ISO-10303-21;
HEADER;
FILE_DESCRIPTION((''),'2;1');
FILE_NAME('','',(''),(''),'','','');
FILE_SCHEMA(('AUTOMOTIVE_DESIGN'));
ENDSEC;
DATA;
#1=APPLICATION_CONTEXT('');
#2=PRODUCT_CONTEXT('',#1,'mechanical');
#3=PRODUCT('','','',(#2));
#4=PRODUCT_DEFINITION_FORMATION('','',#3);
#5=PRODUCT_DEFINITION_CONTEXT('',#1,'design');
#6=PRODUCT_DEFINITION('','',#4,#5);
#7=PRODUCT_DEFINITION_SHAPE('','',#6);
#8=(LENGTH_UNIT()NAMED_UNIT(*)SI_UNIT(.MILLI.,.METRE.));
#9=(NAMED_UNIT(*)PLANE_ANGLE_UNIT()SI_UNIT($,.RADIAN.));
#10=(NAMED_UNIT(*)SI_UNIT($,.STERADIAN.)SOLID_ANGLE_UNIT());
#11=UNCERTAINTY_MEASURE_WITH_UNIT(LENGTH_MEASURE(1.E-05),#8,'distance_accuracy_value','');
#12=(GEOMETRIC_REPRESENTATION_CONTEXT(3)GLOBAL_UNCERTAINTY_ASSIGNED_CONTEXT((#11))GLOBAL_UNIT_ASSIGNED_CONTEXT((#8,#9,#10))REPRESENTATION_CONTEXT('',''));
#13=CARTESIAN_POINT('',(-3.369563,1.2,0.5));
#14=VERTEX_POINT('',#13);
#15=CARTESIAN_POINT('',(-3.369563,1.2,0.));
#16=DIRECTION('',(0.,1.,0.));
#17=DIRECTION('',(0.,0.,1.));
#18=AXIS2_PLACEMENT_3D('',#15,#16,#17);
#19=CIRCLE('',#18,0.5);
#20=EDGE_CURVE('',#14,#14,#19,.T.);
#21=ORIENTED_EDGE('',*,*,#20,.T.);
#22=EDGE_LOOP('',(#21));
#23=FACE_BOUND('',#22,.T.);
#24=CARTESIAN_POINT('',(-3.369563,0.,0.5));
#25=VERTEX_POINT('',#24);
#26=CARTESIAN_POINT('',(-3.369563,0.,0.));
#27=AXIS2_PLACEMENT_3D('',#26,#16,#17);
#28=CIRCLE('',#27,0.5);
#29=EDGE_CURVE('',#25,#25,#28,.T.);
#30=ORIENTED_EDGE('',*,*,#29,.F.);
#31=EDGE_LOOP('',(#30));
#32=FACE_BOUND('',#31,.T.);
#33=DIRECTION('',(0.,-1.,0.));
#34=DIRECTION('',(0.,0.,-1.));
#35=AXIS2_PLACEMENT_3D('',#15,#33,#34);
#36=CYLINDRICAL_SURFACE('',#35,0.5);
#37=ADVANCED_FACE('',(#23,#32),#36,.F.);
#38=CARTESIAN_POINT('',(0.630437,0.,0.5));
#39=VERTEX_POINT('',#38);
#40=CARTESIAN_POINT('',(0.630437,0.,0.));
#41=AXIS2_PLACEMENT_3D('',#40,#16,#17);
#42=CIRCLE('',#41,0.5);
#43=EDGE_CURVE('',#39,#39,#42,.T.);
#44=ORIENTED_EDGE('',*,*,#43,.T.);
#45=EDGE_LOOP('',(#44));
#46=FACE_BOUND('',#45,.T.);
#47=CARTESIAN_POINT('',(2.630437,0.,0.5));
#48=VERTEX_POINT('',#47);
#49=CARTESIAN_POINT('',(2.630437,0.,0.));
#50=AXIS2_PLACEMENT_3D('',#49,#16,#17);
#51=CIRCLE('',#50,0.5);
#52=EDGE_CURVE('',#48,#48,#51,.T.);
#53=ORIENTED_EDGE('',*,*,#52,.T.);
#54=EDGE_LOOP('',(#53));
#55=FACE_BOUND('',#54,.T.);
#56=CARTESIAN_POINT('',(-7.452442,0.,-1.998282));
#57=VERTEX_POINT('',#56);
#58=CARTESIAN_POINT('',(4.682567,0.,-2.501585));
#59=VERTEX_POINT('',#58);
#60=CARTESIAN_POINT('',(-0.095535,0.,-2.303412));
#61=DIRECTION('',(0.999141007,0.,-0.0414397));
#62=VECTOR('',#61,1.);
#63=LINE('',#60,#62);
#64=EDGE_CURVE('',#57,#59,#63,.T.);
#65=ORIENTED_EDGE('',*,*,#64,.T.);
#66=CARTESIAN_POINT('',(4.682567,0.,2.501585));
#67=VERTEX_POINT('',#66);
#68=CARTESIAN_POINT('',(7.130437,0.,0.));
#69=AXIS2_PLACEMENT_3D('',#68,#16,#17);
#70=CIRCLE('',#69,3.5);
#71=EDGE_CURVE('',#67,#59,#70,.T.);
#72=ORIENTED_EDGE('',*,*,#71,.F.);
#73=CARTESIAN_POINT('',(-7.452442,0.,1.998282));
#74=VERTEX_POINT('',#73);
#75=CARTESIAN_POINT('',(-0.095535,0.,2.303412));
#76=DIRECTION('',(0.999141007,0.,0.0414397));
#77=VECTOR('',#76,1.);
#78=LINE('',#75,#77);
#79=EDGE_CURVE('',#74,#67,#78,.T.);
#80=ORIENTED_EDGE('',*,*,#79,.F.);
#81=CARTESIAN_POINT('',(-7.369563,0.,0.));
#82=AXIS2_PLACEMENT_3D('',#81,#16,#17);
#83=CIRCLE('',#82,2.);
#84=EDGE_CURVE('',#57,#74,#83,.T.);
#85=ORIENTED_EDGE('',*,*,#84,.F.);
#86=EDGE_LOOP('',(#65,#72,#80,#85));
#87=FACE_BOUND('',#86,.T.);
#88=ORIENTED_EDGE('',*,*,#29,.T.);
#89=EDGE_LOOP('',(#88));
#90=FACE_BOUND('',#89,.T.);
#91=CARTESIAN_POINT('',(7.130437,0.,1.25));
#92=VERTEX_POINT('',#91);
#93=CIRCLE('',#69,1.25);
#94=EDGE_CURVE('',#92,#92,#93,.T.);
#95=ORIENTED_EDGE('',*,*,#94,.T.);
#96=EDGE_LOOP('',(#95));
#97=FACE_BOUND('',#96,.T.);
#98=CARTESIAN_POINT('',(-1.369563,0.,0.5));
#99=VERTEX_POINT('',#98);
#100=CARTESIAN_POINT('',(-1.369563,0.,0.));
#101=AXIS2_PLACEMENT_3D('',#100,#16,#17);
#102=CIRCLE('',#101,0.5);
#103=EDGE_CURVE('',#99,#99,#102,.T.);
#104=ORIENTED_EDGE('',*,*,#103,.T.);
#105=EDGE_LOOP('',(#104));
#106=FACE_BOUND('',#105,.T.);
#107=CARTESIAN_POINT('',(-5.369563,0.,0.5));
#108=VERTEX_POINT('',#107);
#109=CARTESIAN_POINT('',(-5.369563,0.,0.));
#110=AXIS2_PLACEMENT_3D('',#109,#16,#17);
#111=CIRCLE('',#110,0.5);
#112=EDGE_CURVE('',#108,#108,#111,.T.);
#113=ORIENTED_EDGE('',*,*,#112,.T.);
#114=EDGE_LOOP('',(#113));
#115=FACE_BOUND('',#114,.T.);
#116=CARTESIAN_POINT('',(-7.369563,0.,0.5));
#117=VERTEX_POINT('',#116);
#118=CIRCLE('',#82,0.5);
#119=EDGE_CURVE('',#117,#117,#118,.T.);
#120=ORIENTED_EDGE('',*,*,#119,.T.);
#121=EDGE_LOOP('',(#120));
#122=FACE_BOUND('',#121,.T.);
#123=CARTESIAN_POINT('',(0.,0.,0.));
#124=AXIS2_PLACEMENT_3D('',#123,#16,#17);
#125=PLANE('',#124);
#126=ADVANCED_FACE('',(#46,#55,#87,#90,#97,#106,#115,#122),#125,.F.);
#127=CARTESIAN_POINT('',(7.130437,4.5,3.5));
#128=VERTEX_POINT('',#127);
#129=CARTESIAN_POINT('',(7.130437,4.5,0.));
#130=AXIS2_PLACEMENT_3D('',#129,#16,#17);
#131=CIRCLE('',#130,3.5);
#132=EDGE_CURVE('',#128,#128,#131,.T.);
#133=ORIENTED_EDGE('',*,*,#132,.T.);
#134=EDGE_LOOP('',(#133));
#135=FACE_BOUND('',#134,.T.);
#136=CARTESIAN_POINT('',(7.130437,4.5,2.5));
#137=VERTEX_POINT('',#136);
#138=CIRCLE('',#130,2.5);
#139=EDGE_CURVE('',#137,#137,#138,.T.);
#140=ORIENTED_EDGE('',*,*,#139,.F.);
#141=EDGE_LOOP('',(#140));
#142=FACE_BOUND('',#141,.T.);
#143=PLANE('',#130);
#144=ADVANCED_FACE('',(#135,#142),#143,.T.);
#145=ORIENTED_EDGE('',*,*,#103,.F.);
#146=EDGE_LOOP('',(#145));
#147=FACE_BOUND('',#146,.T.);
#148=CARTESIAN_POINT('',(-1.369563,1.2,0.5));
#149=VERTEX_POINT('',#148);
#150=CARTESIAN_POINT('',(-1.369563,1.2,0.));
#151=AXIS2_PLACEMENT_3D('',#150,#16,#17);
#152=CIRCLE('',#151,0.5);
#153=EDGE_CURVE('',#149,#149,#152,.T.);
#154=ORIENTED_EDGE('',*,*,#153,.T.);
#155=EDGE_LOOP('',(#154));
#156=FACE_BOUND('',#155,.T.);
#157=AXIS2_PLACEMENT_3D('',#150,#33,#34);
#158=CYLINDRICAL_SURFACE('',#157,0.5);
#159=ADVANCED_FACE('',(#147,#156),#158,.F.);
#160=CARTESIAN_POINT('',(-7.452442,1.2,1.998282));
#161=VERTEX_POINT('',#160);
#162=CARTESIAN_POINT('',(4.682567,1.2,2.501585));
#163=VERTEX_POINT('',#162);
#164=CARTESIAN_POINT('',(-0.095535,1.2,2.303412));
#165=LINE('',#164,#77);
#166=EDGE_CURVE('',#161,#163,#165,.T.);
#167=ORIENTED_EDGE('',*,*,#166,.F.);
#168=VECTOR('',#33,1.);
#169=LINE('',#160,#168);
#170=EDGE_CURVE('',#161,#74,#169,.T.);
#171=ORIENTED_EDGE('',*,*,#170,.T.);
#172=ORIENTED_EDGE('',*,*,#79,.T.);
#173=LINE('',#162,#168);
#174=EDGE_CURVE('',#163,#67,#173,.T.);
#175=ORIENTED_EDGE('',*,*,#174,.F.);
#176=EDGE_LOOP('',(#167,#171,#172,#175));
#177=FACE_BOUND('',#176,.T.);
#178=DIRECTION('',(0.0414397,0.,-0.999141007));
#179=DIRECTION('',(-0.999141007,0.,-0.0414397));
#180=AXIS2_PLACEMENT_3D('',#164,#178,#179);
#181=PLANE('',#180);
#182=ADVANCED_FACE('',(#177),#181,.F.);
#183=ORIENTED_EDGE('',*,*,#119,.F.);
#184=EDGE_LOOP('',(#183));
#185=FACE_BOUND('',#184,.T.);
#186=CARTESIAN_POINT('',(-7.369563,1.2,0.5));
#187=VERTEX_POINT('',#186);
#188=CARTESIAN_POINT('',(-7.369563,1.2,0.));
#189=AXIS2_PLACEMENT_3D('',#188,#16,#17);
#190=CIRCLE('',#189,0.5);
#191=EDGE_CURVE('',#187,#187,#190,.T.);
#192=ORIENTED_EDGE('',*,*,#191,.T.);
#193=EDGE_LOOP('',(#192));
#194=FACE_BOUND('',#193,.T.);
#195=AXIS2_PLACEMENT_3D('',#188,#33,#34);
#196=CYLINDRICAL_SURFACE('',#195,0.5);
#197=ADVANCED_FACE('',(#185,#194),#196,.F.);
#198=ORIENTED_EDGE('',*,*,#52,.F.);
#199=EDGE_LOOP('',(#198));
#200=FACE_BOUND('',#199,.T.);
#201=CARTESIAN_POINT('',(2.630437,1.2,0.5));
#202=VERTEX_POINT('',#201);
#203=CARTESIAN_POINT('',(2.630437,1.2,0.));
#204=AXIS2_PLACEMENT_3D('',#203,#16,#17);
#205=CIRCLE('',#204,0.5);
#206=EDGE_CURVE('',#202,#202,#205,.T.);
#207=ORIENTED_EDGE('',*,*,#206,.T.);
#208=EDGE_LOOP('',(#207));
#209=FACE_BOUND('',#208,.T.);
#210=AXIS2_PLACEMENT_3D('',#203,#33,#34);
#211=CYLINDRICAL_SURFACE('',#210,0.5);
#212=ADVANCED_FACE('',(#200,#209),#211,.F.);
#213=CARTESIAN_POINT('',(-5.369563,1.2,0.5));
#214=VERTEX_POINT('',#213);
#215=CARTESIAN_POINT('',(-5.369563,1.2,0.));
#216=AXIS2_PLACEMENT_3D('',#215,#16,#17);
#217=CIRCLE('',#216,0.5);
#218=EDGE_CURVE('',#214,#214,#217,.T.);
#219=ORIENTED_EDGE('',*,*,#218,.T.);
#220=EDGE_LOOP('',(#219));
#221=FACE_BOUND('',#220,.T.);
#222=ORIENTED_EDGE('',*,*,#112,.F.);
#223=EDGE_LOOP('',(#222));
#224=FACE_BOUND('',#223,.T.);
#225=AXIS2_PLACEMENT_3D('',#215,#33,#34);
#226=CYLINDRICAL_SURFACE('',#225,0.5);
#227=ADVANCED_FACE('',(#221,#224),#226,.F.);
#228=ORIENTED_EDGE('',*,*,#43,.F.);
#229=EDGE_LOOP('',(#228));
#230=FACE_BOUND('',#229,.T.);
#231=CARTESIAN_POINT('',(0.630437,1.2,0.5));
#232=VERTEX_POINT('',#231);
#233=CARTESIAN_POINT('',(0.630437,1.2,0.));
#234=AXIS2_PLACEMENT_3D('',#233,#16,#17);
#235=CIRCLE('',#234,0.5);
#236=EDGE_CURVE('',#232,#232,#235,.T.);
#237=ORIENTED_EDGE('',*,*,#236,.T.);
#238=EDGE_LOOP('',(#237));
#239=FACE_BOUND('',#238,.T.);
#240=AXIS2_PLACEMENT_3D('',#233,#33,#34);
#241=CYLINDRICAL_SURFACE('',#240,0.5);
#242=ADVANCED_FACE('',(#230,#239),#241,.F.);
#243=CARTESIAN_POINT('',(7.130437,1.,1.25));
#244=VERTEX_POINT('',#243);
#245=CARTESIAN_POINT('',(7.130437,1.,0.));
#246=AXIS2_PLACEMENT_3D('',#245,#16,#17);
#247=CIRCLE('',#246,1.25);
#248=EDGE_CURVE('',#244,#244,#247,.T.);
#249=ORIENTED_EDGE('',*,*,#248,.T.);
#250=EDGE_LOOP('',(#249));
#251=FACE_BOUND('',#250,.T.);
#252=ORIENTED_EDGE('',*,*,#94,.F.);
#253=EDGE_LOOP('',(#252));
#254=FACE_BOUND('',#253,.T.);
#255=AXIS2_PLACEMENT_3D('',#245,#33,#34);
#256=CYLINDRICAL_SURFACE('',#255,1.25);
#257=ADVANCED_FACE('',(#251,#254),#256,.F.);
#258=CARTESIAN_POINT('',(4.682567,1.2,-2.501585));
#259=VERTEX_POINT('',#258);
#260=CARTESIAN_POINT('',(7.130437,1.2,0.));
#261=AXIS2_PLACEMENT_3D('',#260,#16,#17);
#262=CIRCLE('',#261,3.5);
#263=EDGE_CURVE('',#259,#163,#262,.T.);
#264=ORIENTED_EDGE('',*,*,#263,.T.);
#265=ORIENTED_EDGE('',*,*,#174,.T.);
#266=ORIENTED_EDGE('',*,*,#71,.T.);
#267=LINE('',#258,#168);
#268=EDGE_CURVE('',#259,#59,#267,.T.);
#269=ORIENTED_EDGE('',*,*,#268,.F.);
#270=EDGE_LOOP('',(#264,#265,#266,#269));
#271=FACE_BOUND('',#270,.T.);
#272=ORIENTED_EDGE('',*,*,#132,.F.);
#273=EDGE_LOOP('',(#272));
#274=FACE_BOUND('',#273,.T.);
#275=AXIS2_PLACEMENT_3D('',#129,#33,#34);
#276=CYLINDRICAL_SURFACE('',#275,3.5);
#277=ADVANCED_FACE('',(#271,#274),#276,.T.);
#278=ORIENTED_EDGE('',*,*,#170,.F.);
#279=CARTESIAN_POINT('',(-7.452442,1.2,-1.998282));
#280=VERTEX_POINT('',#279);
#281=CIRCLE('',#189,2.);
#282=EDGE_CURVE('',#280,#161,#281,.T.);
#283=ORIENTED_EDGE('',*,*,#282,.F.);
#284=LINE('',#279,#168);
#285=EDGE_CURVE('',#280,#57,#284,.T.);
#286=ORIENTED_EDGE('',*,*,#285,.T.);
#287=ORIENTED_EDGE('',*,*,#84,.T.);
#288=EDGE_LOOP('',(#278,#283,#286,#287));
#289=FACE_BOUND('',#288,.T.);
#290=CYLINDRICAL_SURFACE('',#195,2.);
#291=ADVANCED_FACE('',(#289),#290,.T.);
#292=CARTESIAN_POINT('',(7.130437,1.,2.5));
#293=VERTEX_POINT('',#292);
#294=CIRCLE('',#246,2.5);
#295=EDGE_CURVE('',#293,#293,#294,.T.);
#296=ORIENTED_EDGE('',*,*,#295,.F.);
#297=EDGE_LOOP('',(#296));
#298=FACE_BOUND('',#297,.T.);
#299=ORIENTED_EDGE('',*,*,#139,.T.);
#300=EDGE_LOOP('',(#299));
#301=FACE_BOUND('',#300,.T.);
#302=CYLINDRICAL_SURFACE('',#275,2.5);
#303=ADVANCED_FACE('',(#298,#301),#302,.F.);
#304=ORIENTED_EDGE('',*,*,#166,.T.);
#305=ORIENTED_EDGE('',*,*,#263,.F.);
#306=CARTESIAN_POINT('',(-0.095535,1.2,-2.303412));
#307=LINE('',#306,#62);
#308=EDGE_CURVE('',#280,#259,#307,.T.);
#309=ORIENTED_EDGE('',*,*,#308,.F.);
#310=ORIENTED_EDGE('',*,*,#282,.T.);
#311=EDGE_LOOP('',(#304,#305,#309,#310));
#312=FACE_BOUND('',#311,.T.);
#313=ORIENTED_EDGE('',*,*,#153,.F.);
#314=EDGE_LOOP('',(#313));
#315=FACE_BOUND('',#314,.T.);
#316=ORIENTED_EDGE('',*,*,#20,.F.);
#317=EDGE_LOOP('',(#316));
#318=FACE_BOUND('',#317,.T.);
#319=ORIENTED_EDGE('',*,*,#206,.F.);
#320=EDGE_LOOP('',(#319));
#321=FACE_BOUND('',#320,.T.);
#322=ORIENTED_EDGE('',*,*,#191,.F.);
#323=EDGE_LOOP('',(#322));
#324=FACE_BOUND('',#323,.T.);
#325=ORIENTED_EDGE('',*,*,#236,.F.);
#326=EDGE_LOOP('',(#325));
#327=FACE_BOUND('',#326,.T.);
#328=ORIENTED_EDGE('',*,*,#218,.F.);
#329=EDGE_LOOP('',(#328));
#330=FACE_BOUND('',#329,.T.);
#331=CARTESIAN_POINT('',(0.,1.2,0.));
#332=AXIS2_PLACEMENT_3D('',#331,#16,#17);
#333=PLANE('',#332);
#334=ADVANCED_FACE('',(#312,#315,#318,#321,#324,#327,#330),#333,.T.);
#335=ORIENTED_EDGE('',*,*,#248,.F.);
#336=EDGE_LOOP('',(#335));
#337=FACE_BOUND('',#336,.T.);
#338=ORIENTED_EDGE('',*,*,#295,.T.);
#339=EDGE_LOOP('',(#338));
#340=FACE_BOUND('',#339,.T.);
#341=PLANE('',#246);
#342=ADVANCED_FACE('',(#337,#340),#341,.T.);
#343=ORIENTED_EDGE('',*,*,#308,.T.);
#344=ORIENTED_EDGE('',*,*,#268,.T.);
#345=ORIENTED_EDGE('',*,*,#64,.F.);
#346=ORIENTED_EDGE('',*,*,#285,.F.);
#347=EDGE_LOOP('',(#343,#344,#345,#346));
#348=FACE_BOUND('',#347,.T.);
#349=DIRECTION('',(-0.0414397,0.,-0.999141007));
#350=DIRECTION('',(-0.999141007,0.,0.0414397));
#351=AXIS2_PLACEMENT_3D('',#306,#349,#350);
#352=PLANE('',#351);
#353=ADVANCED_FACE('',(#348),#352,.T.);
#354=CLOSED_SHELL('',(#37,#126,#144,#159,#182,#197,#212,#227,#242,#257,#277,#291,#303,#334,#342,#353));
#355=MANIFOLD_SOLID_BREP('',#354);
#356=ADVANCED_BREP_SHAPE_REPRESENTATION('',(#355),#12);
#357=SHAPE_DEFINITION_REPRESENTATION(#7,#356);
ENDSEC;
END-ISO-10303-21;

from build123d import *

# Parameters (mm, degrees)
SKETCH_1_R          = 0.5
EXTRUDE_1_DEPTH     = 1.2
SKETCH_1_3_R        = 3.5
SKETCH_1_3_R_2      = 2.5
EXTRUDE_2_DEPTH     = 4.5
SKETCH_1_4_R        = 2.5
EXTRUDE_3_DEPTH     = 1
SKETCH_3_R          = 1.25
CUT_EXTRUDE_1_DEPTH = 1


with BuildPart() as part:
    # 草图1 → 凸台-拉伸1 (new body)
    with BuildSketch(Plane(origin=(0, 0, 0), x_dir=(1, 0, 0), z_dir=(0, 1, 0))):
        with BuildLine():
            Line((4.682566803, 2.501585477), (-7.452442074, 1.998282013))
            ThreePointArc((-7.452442074, 1.998282013), (-9.369562674, 0), (-7.452442074, -1.998282013))
            Line((-7.452442074, -1.998282013), (4.682566803, -2.501585477))
            ThreePointArc((4.682566803, -2.501585477), (3.630437326, 0), (4.682566803, 2.501585477))
        make_face()
        with Locations((-7.369562674, 0)):
            Circle(SKETCH_1_R, mode=Mode.SUBTRACT)
        with Locations((-5.369562674, 0)):
            Circle(SKETCH_1_R, mode=Mode.SUBTRACT)
        with Locations((-3.369562674, 0)):
            Circle(SKETCH_1_R, mode=Mode.SUBTRACT)
        with Locations((-1.369562674, 0)):
            Circle(SKETCH_1_R, mode=Mode.SUBTRACT)
        with Locations((0.630437326, 0)):
            Circle(SKETCH_1_R, mode=Mode.SUBTRACT)
        with Locations((2.630437326, 0)):
            Circle(SKETCH_1_R, mode=Mode.SUBTRACT)
    extrude(amount=EXTRUDE_1_DEPTH)

    # 草图1<3> → 凸台-拉伸2 (add)
    with BuildSketch(Plane(origin=(0, 0, 0), x_dir=(1, 0, 0), z_dir=(0, 1, 0))):
        with Locations((7.130437326, 0)):
            Circle(SKETCH_1_3_R)
        with Locations((7.130437326, 0)):
            Circle(SKETCH_1_3_R_2, mode=Mode.SUBTRACT)
    extrude(amount=EXTRUDE_2_DEPTH)

    # 草图1<4> → 凸台-拉伸3 (add)
    with BuildSketch(Plane(origin=(0, 0, 0), x_dir=(1, 0, 0), z_dir=(0, 1, 0))):
        with Locations((7.130437326, 0)):
            Circle(SKETCH_1_4_R)
    extrude(amount=EXTRUDE_3_DEPTH)

    # 草图3 → 切除-拉伸1 (cut)
    with BuildSketch(Plane(origin=(0, 0, 0), x_dir=(1, 0, 0), z_dir=(0, 1, 0))):
        with Locations((7.130437326, 0)):
            Circle(SKETCH_3_R)
    extrude(amount=CUT_EXTRUDE_1_DEPTH, mode=Mode.SUBTRACT)


solid = part.part
